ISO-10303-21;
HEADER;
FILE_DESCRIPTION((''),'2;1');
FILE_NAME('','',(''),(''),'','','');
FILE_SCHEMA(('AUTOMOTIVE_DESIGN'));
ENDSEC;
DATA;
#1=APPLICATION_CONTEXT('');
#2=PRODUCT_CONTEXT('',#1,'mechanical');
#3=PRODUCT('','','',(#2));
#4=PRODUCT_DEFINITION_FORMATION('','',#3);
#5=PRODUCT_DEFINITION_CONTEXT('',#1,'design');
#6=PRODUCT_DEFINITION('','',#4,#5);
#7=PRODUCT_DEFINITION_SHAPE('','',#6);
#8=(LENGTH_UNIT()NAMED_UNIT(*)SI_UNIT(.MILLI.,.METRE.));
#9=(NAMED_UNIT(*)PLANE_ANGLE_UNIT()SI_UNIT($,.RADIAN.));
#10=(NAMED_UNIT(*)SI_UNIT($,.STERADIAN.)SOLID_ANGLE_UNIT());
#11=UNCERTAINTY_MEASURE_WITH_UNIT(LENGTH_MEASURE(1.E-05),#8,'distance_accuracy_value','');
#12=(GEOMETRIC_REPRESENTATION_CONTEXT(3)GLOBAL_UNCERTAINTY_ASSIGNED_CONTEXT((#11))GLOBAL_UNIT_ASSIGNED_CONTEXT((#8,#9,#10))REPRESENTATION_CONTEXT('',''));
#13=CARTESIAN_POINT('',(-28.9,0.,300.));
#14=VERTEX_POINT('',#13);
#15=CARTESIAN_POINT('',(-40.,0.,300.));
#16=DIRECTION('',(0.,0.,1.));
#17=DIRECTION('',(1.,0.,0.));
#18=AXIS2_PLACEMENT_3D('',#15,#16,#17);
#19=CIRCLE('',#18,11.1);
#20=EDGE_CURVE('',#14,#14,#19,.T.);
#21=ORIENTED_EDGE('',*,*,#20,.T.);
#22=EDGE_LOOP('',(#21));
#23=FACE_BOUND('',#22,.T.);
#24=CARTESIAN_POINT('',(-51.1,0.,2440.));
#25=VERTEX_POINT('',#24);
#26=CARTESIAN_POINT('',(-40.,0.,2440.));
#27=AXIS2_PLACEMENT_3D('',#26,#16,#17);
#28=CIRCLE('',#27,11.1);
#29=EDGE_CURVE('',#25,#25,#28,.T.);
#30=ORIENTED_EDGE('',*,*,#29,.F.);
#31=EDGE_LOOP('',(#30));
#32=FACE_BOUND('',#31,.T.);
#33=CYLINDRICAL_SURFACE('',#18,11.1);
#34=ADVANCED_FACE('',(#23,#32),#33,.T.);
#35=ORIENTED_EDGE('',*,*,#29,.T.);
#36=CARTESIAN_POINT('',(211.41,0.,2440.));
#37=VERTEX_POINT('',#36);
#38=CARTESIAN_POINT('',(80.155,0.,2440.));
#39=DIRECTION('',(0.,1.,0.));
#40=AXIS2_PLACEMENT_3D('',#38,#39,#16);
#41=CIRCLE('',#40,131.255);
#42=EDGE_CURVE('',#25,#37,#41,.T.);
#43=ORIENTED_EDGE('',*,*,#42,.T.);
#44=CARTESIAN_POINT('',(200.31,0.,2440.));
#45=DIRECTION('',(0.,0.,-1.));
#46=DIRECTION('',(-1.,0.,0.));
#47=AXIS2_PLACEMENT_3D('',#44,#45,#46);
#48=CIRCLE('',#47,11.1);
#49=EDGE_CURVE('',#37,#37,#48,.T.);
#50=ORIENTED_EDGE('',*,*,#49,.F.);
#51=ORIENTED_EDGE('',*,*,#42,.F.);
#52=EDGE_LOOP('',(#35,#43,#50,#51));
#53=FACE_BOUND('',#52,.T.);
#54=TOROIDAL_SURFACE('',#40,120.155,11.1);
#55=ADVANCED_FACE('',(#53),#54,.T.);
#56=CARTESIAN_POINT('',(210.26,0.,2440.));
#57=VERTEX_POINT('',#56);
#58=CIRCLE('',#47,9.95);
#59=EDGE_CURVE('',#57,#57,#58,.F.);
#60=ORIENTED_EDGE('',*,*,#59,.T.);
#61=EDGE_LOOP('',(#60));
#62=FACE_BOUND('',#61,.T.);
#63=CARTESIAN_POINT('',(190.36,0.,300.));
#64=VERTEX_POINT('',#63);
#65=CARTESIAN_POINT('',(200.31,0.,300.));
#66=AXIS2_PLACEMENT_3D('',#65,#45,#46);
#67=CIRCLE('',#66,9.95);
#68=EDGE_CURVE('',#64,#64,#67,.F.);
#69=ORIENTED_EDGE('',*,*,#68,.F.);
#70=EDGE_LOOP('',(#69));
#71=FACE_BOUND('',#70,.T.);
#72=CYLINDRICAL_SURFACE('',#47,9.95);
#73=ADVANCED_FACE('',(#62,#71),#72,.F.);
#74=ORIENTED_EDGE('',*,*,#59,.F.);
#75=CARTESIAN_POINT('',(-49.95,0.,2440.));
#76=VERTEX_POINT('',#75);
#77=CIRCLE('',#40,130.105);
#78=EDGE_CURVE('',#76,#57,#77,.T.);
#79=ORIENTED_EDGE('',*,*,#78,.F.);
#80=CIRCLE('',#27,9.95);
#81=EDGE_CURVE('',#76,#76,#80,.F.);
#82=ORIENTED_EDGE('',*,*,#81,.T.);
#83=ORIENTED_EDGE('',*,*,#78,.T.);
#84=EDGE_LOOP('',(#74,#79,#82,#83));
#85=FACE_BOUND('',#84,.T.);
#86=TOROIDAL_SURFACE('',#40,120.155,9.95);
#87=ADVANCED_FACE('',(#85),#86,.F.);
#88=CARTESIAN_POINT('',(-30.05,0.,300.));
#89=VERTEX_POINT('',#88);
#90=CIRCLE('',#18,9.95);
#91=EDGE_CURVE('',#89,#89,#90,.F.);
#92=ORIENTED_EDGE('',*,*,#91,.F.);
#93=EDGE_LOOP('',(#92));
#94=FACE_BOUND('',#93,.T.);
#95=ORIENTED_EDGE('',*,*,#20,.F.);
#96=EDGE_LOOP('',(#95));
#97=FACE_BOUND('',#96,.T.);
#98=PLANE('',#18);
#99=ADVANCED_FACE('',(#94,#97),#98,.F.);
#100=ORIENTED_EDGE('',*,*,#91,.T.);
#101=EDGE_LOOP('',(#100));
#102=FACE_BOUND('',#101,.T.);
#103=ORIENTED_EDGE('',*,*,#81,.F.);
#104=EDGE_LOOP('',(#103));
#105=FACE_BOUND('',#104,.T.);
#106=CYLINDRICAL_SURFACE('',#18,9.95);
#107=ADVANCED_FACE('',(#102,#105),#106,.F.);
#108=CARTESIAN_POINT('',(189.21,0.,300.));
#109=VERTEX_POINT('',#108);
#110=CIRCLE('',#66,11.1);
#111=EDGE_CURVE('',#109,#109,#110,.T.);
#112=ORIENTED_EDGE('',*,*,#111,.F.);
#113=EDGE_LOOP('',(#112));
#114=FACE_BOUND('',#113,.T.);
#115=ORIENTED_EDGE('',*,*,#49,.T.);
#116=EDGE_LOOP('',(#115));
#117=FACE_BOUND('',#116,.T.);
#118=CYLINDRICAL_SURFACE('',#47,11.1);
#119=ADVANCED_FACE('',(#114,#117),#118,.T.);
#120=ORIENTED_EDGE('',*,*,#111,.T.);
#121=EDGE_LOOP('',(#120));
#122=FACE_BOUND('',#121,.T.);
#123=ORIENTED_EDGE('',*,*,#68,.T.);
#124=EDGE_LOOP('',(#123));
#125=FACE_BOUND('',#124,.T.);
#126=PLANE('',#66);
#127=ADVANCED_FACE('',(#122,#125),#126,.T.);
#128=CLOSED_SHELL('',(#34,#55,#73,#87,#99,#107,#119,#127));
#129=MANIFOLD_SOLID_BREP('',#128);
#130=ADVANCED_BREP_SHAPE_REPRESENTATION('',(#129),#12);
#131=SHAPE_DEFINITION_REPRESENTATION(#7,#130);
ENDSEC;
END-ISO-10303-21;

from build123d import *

# Parameters (mm, degrees)
SKETCH2_R   = 11.1
SKETCH2_R_2 = 9.95


with BuildPart() as part:
    # Sweep1: sweep along a path in Sketch1
    with BuildLine(Plane(origin=(0, 0, 0), x_dir=(1, 0, 0), z_dir=(0, 1, 0))) as sweep1_path:
        Line((200.31, -300), (200.31, -2440))
        ThreePointArc((200.31, -2440), (80.155, -2560.155), (-40, -2440))
        Line((-40, -2440), (-40, -300))
    # Sketch2 → Sweep1 (sweep)
    with BuildSketch(Plane(origin=(200.31, 0, 300), x_dir=(-1, 0, 0), z_dir=(0, 0, -1))):
        Circle(SKETCH2_R)
        Circle(SKETCH2_R_2, mode=Mode.SUBTRACT)
    sweep(path=sweep1_path.line)


solid = part.part
